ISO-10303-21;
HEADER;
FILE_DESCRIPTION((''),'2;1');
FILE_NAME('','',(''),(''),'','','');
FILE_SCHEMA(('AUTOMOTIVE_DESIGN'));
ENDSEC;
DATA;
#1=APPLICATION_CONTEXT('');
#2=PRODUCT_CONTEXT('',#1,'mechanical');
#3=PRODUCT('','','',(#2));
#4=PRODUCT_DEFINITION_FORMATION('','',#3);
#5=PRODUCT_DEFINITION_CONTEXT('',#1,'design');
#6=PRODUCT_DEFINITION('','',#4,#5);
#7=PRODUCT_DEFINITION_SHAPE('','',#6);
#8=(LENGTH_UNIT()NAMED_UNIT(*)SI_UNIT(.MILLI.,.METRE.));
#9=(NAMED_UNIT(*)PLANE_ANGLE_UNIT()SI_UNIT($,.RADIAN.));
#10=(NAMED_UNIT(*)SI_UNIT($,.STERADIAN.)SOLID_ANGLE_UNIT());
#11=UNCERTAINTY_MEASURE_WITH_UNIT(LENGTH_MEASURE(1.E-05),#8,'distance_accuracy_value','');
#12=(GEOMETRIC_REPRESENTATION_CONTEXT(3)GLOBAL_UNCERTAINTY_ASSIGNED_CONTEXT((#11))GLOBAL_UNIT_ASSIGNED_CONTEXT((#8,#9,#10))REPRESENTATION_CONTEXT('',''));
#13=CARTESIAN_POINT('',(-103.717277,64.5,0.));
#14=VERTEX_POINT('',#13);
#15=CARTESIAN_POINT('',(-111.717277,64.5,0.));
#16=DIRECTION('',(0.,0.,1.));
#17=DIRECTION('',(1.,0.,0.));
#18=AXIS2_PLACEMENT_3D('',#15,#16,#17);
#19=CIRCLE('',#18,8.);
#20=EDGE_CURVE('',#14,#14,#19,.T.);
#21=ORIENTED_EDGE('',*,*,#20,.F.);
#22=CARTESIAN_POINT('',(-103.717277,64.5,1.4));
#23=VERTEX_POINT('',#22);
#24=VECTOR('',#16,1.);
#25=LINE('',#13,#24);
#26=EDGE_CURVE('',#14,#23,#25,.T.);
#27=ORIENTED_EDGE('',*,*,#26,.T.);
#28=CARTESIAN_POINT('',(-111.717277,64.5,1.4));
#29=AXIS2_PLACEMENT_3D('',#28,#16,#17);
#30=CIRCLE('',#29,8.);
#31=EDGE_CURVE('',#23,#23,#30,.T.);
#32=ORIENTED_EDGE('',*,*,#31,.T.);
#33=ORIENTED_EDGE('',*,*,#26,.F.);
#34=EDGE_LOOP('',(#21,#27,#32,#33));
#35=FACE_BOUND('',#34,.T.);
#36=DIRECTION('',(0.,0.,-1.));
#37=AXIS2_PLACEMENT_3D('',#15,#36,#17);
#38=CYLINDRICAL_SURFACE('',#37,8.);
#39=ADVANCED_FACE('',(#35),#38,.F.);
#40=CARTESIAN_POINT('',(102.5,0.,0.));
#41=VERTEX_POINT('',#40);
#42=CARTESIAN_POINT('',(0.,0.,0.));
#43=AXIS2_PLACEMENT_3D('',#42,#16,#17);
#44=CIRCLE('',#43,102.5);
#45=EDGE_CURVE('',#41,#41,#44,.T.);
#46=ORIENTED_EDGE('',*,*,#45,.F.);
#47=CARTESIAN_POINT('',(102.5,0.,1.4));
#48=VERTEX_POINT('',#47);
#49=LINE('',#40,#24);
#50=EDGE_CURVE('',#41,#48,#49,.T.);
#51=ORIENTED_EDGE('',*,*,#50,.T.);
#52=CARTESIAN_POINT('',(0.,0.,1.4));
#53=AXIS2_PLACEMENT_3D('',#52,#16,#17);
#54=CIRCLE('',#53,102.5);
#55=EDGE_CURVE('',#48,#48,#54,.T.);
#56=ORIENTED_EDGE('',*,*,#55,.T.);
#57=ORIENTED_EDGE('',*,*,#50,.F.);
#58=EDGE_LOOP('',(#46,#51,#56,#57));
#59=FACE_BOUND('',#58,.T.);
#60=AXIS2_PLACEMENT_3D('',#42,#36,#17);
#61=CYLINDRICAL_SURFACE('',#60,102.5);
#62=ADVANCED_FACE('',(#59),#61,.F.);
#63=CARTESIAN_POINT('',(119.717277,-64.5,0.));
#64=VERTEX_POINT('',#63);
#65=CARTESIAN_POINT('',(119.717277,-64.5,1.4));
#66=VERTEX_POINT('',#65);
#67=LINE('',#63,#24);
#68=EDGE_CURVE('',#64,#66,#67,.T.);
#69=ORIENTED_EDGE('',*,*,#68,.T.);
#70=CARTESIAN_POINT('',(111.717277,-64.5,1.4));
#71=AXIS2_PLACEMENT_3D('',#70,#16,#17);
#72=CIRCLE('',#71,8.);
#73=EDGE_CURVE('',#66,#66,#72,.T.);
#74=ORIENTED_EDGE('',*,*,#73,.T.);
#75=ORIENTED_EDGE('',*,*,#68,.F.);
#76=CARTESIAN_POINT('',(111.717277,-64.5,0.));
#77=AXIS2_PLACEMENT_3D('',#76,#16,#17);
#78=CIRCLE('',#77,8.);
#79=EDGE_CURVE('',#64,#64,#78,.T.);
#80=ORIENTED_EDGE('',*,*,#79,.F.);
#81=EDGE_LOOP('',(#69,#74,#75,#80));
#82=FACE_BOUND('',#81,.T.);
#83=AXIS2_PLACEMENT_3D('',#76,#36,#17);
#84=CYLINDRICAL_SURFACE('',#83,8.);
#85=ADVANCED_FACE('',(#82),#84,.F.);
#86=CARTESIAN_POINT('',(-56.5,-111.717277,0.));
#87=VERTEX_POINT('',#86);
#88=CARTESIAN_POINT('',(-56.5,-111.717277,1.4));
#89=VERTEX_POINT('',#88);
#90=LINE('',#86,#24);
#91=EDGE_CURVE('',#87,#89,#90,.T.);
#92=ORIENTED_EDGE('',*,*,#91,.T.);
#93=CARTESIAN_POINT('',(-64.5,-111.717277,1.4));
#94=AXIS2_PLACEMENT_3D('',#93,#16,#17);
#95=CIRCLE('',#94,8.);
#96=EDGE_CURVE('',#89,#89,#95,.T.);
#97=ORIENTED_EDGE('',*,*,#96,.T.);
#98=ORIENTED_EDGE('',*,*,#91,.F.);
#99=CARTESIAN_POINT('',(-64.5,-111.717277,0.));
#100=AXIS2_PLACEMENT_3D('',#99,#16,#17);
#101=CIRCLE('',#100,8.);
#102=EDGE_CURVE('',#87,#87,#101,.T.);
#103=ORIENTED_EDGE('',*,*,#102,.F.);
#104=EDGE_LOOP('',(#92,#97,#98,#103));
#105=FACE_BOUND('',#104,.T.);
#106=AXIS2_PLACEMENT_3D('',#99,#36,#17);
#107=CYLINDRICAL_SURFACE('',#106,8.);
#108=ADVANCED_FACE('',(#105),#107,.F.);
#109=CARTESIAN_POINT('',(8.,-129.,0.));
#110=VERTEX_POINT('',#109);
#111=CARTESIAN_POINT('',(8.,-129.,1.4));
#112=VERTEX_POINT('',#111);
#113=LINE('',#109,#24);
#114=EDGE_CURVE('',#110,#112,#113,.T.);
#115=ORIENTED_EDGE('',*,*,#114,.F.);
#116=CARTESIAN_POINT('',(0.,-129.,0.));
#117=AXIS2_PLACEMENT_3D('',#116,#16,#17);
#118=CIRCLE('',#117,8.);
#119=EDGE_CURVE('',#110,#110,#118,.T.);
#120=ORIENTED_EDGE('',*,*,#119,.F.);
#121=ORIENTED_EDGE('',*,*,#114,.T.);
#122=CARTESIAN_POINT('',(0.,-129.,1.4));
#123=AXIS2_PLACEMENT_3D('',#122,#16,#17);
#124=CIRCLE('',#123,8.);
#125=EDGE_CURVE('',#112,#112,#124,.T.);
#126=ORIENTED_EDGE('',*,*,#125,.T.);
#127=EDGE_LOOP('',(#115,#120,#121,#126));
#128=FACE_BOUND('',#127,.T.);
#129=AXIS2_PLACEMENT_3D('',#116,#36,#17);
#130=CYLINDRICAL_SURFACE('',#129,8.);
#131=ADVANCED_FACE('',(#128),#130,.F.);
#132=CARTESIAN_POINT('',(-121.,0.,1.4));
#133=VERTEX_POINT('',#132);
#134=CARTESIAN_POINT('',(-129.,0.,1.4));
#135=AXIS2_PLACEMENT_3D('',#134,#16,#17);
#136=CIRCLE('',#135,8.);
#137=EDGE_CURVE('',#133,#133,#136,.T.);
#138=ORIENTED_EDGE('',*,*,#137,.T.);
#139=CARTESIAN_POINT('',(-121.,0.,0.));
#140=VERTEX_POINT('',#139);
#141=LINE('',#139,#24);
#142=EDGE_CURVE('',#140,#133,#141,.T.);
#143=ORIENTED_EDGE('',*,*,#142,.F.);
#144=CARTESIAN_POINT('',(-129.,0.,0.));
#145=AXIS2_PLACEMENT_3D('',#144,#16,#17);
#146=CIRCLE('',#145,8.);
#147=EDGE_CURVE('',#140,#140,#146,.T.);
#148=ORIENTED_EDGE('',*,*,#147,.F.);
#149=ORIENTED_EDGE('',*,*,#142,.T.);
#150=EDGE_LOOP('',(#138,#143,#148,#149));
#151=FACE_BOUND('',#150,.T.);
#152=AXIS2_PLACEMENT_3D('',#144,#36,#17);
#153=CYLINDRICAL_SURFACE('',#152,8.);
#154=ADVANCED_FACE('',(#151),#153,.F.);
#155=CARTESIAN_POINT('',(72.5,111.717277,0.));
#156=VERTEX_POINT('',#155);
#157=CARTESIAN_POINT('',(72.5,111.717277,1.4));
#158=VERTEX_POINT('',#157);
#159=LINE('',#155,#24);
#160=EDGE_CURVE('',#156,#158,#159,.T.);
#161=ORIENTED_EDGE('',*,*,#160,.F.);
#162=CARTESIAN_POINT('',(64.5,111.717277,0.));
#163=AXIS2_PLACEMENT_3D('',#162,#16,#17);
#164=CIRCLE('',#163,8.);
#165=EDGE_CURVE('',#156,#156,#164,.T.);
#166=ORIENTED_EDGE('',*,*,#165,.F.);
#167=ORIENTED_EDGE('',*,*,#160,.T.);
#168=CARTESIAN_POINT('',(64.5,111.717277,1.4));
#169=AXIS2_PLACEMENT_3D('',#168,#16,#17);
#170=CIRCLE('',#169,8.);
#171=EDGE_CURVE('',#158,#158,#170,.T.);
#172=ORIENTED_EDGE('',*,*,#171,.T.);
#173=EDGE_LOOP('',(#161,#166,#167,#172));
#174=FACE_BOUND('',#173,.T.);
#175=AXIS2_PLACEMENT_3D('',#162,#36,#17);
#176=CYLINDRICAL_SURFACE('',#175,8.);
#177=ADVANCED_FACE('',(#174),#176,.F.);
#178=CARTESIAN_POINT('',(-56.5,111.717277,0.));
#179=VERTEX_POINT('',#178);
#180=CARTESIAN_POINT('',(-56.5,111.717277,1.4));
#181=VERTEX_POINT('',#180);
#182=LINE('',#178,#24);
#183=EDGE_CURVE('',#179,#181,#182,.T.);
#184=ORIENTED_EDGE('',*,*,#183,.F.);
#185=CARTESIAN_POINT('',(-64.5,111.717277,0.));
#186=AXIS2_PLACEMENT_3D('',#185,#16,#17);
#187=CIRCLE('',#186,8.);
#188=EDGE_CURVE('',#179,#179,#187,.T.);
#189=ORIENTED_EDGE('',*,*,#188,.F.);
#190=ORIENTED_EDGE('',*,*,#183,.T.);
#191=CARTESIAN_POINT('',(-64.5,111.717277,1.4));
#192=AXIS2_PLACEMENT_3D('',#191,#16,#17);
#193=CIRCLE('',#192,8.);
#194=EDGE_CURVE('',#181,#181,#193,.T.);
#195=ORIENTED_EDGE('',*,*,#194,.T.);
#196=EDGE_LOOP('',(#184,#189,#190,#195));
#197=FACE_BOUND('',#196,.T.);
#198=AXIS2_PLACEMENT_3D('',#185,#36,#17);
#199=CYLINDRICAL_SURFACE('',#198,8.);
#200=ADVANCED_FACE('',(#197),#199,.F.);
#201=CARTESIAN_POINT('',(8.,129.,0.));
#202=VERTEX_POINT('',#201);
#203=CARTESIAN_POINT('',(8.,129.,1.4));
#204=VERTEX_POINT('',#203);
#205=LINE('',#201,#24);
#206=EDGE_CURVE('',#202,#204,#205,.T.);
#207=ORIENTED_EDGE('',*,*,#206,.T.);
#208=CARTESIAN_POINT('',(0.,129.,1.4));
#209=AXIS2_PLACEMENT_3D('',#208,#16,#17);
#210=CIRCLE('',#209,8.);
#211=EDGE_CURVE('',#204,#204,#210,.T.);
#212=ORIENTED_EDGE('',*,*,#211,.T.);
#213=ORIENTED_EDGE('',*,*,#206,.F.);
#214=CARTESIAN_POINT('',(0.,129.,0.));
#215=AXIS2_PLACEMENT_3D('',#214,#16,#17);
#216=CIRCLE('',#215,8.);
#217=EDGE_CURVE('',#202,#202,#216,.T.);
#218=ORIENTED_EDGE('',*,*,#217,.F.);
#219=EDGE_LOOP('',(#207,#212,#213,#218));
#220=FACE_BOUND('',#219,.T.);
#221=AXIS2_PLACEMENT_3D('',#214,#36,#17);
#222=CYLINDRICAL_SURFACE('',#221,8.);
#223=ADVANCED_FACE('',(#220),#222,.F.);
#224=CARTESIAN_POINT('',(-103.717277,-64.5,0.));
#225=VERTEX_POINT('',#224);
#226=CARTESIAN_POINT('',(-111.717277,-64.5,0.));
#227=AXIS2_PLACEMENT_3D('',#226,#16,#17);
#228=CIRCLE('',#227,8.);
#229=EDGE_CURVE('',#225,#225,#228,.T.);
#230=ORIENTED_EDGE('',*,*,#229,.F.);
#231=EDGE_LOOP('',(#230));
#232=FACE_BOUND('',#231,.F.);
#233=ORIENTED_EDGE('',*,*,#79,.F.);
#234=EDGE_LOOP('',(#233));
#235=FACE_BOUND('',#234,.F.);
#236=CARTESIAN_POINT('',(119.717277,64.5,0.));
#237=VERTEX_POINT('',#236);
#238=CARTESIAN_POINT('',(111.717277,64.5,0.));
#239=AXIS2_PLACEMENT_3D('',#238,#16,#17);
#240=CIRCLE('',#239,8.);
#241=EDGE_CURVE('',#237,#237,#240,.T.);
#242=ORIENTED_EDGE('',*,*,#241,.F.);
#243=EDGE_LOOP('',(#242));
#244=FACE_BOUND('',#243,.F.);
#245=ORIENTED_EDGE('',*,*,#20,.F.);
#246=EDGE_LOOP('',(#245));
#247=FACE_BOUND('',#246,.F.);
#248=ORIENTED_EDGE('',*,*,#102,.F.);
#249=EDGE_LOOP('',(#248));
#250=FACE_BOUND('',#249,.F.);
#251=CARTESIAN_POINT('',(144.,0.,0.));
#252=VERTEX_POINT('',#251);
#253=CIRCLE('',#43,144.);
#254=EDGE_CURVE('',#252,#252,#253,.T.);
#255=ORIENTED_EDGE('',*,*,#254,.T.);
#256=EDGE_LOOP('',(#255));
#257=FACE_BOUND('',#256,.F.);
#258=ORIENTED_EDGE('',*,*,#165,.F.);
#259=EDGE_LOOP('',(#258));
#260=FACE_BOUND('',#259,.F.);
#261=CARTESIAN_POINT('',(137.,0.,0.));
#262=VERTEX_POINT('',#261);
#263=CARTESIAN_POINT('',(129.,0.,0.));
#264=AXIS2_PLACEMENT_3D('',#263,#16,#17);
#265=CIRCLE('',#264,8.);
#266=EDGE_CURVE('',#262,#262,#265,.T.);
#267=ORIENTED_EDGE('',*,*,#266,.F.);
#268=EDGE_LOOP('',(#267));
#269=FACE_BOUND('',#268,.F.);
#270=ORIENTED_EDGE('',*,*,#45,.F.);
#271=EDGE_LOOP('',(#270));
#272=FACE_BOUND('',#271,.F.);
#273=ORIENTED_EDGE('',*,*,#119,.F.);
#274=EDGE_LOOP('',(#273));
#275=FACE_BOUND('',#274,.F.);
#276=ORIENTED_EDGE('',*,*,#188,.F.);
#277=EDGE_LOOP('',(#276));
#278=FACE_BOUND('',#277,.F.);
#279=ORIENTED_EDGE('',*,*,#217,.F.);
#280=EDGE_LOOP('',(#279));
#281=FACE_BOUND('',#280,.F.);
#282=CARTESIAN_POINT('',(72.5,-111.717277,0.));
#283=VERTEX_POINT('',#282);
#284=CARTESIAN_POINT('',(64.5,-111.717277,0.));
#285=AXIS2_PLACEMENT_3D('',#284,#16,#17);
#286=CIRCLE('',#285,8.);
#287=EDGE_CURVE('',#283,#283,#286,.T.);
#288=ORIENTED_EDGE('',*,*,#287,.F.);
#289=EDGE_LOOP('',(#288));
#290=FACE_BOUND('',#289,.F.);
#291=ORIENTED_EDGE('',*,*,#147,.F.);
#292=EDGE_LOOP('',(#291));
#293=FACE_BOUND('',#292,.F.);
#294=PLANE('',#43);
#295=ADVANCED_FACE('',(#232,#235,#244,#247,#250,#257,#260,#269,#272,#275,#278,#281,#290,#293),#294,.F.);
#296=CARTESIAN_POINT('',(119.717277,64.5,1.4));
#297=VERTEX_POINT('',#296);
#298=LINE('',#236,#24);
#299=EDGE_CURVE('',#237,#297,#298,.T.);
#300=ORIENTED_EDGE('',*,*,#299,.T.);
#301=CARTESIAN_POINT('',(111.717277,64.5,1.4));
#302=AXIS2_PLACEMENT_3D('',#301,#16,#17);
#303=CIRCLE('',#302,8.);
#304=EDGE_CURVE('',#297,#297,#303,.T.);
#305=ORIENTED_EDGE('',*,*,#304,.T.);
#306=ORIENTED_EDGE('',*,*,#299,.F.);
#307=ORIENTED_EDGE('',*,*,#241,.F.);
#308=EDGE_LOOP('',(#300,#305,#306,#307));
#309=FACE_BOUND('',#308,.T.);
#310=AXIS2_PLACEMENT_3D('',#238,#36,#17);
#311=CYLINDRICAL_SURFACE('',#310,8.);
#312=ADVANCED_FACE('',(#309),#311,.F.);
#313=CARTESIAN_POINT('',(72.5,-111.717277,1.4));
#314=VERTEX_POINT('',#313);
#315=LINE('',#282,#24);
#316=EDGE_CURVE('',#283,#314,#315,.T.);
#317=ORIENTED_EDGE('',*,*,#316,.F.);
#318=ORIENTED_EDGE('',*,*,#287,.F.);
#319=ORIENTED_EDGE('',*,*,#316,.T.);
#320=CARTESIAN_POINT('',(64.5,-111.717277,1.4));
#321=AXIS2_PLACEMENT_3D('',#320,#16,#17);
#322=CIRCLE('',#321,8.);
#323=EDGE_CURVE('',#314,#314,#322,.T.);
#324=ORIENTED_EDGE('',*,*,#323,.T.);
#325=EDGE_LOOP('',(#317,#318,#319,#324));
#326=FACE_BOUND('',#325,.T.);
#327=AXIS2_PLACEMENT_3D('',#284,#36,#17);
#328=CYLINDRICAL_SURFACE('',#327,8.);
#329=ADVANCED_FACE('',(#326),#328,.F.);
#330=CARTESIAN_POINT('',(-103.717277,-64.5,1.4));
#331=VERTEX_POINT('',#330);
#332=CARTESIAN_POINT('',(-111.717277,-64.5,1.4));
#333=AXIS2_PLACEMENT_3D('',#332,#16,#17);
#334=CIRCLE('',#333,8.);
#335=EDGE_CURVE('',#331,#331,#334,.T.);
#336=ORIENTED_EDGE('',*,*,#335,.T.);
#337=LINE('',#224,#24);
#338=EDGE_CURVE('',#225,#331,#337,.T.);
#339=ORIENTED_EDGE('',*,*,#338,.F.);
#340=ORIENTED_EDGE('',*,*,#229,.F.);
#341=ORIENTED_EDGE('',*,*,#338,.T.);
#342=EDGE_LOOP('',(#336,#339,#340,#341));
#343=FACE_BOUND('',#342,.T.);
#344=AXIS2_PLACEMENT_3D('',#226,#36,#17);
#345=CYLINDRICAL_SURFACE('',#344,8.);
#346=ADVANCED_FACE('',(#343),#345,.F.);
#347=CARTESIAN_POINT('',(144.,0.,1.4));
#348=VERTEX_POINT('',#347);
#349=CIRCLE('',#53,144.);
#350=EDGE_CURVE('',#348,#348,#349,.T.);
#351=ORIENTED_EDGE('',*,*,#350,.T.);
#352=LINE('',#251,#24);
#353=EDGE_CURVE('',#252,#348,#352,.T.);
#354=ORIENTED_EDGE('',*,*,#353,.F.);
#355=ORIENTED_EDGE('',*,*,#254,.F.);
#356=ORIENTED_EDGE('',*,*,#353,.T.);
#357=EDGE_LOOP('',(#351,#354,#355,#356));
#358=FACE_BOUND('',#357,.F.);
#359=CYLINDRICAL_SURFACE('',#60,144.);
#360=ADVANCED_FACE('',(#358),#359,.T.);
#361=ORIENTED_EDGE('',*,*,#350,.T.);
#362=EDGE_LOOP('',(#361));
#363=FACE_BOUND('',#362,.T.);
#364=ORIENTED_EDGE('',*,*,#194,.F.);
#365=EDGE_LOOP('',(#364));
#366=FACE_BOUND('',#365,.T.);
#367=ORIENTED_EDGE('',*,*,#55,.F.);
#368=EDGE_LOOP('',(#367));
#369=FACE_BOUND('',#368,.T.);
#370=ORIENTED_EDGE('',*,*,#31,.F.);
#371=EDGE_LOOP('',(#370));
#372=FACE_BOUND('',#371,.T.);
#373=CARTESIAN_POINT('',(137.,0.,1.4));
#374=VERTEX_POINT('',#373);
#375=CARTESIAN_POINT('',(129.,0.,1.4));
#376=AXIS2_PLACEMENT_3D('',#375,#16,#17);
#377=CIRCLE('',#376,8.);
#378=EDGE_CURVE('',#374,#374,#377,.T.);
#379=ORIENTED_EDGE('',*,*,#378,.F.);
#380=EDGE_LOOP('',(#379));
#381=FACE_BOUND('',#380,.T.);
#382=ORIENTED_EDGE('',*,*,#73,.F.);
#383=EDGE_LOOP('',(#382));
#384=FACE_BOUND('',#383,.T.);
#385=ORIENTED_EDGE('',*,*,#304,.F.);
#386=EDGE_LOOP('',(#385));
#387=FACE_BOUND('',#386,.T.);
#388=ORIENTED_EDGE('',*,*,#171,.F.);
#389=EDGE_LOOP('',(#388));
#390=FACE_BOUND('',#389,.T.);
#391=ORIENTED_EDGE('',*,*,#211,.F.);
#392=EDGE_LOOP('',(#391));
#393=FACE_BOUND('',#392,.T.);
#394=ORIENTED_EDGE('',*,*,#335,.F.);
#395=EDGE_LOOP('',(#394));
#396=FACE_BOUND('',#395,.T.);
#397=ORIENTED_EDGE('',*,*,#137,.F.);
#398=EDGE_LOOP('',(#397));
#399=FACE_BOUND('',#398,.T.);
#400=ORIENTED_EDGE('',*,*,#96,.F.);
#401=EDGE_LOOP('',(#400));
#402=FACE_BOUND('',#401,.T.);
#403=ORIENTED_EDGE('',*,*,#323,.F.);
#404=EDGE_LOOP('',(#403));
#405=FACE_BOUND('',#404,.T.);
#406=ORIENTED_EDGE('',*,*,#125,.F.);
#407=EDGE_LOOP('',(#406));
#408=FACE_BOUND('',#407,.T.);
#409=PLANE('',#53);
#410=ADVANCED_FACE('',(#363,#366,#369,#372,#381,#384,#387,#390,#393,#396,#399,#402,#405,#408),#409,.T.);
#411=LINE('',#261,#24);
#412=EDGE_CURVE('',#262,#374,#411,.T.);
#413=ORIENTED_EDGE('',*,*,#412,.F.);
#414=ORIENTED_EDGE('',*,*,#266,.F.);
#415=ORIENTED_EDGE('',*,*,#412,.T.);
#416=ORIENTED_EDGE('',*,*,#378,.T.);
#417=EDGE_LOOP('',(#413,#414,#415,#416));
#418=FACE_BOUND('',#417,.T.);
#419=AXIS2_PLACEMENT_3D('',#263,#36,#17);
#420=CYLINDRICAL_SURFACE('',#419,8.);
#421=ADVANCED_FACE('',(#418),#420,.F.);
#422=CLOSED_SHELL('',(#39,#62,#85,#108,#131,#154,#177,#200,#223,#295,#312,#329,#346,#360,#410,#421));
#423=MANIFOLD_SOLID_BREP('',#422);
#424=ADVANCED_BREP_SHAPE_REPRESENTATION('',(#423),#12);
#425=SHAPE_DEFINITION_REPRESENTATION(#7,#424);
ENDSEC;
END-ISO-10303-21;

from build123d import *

# Parameters (mm, degrees)
F0_R     = 144
F0_R_2   = 8
F0_R_3   = 102.5
F1_DEPTH = 1.4


with BuildPart() as f1:
    # F0 (on Top) → F1 (new body)
    with BuildSketch(Plane.XY):
        Circle(F0_R)
        with Locations((-64.5, -111.717277)):
            Circle(F0_R_2, mode=Mode.SUBTRACT)
        with Locations((-111.717277, -64.5)):
            Circle(F0_R_2, mode=Mode.SUBTRACT)
        with Locations((0, -129)):
            Circle(F0_R_2, mode=Mode.SUBTRACT)
        with Locations((64.5, -111.717277)):
            Circle(F0_R_2, mode=Mode.SUBTRACT)
        with Locations((111.717277, -64.5)):
            Circle(F0_R_2, mode=Mode.SUBTRACT)
        with Locations((-129, 0)):
            Circle(F0_R_2, mode=Mode.SUBTRACT)
        with Locations((-111.717277, 64.5)):
            Circle(F0_R_2, mode=Mode.SUBTRACT)
        with Locations((-64.5, 111.717277)):
            Circle(F0_R_2, mode=Mode.SUBTRACT)
        Circle(F0_R_3, mode=Mode.SUBTRACT)
        with Locations((129, 0)):
            Circle(F0_R_2, mode=Mode.SUBTRACT)
        with Locations((111.717277, 64.5)):
            Circle(F0_R_2, mode=Mode.SUBTRACT)
        with Locations((0, 129)):
            Circle(F0_R_2, mode=Mode.SUBTRACT)
        with Locations((64.5, 111.717277)):
            Circle(F0_R_2, mode=Mode.SUBTRACT)
    extrude(amount=F1_DEPTH)


solid = f1.part
